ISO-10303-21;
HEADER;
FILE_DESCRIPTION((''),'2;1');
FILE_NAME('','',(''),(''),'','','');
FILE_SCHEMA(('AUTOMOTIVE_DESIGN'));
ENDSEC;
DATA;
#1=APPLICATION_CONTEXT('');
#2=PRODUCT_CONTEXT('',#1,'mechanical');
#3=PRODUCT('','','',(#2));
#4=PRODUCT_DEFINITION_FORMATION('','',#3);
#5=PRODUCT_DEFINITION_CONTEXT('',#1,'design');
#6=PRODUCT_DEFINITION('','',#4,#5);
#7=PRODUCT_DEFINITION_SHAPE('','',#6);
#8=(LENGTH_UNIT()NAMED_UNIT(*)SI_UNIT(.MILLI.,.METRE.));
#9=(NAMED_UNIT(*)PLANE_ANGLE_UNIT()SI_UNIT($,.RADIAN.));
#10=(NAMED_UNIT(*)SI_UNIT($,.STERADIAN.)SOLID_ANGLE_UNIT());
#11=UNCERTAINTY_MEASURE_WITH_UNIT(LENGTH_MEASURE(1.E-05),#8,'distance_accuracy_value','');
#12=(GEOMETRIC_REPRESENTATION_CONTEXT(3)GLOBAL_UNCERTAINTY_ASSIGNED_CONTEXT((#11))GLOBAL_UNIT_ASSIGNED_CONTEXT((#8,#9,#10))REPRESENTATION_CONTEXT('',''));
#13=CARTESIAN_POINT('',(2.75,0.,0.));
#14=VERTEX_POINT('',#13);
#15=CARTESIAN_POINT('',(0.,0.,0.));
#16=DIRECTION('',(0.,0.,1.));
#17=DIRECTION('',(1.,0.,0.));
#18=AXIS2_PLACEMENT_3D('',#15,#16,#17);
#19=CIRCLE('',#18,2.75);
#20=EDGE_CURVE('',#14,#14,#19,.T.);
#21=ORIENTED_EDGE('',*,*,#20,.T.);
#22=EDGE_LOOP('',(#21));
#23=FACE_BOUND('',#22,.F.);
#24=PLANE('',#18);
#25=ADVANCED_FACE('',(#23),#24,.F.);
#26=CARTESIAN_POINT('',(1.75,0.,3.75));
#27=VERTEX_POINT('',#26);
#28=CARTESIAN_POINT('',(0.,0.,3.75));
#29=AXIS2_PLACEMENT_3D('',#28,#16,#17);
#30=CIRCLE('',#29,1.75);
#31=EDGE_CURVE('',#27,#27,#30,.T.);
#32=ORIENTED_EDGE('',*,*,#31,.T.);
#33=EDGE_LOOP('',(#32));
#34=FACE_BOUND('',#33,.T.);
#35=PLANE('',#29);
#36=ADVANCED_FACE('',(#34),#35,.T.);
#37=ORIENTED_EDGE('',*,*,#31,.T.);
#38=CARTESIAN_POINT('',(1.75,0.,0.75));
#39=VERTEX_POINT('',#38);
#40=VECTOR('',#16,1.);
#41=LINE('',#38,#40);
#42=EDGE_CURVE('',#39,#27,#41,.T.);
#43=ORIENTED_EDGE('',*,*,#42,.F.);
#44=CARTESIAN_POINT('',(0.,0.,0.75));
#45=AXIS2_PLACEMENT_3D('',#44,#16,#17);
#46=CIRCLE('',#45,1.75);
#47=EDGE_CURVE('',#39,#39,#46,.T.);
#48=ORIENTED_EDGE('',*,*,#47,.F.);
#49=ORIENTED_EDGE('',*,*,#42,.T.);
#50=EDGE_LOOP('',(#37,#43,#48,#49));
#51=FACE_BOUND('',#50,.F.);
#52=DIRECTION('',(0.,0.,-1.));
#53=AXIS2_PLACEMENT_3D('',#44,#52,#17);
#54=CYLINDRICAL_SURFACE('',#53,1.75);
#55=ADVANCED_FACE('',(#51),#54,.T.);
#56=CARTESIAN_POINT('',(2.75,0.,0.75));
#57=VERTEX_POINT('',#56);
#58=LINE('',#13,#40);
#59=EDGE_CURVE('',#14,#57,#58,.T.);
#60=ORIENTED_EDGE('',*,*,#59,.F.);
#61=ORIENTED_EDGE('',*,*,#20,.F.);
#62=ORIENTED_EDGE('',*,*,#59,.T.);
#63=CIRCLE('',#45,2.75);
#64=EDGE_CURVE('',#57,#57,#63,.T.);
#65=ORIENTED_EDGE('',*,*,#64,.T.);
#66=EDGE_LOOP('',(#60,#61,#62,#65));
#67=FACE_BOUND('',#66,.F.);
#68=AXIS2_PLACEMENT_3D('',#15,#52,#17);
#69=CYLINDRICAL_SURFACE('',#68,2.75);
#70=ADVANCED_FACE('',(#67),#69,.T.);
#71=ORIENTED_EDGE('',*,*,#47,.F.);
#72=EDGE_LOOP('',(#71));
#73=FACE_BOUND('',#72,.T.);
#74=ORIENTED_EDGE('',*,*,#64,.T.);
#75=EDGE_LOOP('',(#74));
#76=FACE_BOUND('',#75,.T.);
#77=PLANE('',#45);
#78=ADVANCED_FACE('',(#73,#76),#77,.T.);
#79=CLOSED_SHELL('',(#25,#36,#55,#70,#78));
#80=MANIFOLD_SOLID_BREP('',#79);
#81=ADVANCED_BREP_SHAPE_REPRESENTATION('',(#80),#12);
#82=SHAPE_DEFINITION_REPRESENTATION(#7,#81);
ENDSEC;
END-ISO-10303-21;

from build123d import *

# Parameters (mm, degrees)
SKETCH_R     = 2.75
PAD_DEPTH    = 0.75
SKETCH001_R  = 1.75
PAD001_DEPTH = 3


with BuildPart() as part:
    # Sketch → Pad (new body)
    with BuildSketch(Plane.XY):
        Circle(SKETCH_R)
    extrude(amount=PAD_DEPTH)

    # Sketch001 (on Face3 of Pad) → Pad001 (join)
    with BuildSketch(Plane.XY.offset(0.75)):
        Circle(SKETCH001_R)
    extrude(amount=PAD001_DEPTH)


solid = part.part
